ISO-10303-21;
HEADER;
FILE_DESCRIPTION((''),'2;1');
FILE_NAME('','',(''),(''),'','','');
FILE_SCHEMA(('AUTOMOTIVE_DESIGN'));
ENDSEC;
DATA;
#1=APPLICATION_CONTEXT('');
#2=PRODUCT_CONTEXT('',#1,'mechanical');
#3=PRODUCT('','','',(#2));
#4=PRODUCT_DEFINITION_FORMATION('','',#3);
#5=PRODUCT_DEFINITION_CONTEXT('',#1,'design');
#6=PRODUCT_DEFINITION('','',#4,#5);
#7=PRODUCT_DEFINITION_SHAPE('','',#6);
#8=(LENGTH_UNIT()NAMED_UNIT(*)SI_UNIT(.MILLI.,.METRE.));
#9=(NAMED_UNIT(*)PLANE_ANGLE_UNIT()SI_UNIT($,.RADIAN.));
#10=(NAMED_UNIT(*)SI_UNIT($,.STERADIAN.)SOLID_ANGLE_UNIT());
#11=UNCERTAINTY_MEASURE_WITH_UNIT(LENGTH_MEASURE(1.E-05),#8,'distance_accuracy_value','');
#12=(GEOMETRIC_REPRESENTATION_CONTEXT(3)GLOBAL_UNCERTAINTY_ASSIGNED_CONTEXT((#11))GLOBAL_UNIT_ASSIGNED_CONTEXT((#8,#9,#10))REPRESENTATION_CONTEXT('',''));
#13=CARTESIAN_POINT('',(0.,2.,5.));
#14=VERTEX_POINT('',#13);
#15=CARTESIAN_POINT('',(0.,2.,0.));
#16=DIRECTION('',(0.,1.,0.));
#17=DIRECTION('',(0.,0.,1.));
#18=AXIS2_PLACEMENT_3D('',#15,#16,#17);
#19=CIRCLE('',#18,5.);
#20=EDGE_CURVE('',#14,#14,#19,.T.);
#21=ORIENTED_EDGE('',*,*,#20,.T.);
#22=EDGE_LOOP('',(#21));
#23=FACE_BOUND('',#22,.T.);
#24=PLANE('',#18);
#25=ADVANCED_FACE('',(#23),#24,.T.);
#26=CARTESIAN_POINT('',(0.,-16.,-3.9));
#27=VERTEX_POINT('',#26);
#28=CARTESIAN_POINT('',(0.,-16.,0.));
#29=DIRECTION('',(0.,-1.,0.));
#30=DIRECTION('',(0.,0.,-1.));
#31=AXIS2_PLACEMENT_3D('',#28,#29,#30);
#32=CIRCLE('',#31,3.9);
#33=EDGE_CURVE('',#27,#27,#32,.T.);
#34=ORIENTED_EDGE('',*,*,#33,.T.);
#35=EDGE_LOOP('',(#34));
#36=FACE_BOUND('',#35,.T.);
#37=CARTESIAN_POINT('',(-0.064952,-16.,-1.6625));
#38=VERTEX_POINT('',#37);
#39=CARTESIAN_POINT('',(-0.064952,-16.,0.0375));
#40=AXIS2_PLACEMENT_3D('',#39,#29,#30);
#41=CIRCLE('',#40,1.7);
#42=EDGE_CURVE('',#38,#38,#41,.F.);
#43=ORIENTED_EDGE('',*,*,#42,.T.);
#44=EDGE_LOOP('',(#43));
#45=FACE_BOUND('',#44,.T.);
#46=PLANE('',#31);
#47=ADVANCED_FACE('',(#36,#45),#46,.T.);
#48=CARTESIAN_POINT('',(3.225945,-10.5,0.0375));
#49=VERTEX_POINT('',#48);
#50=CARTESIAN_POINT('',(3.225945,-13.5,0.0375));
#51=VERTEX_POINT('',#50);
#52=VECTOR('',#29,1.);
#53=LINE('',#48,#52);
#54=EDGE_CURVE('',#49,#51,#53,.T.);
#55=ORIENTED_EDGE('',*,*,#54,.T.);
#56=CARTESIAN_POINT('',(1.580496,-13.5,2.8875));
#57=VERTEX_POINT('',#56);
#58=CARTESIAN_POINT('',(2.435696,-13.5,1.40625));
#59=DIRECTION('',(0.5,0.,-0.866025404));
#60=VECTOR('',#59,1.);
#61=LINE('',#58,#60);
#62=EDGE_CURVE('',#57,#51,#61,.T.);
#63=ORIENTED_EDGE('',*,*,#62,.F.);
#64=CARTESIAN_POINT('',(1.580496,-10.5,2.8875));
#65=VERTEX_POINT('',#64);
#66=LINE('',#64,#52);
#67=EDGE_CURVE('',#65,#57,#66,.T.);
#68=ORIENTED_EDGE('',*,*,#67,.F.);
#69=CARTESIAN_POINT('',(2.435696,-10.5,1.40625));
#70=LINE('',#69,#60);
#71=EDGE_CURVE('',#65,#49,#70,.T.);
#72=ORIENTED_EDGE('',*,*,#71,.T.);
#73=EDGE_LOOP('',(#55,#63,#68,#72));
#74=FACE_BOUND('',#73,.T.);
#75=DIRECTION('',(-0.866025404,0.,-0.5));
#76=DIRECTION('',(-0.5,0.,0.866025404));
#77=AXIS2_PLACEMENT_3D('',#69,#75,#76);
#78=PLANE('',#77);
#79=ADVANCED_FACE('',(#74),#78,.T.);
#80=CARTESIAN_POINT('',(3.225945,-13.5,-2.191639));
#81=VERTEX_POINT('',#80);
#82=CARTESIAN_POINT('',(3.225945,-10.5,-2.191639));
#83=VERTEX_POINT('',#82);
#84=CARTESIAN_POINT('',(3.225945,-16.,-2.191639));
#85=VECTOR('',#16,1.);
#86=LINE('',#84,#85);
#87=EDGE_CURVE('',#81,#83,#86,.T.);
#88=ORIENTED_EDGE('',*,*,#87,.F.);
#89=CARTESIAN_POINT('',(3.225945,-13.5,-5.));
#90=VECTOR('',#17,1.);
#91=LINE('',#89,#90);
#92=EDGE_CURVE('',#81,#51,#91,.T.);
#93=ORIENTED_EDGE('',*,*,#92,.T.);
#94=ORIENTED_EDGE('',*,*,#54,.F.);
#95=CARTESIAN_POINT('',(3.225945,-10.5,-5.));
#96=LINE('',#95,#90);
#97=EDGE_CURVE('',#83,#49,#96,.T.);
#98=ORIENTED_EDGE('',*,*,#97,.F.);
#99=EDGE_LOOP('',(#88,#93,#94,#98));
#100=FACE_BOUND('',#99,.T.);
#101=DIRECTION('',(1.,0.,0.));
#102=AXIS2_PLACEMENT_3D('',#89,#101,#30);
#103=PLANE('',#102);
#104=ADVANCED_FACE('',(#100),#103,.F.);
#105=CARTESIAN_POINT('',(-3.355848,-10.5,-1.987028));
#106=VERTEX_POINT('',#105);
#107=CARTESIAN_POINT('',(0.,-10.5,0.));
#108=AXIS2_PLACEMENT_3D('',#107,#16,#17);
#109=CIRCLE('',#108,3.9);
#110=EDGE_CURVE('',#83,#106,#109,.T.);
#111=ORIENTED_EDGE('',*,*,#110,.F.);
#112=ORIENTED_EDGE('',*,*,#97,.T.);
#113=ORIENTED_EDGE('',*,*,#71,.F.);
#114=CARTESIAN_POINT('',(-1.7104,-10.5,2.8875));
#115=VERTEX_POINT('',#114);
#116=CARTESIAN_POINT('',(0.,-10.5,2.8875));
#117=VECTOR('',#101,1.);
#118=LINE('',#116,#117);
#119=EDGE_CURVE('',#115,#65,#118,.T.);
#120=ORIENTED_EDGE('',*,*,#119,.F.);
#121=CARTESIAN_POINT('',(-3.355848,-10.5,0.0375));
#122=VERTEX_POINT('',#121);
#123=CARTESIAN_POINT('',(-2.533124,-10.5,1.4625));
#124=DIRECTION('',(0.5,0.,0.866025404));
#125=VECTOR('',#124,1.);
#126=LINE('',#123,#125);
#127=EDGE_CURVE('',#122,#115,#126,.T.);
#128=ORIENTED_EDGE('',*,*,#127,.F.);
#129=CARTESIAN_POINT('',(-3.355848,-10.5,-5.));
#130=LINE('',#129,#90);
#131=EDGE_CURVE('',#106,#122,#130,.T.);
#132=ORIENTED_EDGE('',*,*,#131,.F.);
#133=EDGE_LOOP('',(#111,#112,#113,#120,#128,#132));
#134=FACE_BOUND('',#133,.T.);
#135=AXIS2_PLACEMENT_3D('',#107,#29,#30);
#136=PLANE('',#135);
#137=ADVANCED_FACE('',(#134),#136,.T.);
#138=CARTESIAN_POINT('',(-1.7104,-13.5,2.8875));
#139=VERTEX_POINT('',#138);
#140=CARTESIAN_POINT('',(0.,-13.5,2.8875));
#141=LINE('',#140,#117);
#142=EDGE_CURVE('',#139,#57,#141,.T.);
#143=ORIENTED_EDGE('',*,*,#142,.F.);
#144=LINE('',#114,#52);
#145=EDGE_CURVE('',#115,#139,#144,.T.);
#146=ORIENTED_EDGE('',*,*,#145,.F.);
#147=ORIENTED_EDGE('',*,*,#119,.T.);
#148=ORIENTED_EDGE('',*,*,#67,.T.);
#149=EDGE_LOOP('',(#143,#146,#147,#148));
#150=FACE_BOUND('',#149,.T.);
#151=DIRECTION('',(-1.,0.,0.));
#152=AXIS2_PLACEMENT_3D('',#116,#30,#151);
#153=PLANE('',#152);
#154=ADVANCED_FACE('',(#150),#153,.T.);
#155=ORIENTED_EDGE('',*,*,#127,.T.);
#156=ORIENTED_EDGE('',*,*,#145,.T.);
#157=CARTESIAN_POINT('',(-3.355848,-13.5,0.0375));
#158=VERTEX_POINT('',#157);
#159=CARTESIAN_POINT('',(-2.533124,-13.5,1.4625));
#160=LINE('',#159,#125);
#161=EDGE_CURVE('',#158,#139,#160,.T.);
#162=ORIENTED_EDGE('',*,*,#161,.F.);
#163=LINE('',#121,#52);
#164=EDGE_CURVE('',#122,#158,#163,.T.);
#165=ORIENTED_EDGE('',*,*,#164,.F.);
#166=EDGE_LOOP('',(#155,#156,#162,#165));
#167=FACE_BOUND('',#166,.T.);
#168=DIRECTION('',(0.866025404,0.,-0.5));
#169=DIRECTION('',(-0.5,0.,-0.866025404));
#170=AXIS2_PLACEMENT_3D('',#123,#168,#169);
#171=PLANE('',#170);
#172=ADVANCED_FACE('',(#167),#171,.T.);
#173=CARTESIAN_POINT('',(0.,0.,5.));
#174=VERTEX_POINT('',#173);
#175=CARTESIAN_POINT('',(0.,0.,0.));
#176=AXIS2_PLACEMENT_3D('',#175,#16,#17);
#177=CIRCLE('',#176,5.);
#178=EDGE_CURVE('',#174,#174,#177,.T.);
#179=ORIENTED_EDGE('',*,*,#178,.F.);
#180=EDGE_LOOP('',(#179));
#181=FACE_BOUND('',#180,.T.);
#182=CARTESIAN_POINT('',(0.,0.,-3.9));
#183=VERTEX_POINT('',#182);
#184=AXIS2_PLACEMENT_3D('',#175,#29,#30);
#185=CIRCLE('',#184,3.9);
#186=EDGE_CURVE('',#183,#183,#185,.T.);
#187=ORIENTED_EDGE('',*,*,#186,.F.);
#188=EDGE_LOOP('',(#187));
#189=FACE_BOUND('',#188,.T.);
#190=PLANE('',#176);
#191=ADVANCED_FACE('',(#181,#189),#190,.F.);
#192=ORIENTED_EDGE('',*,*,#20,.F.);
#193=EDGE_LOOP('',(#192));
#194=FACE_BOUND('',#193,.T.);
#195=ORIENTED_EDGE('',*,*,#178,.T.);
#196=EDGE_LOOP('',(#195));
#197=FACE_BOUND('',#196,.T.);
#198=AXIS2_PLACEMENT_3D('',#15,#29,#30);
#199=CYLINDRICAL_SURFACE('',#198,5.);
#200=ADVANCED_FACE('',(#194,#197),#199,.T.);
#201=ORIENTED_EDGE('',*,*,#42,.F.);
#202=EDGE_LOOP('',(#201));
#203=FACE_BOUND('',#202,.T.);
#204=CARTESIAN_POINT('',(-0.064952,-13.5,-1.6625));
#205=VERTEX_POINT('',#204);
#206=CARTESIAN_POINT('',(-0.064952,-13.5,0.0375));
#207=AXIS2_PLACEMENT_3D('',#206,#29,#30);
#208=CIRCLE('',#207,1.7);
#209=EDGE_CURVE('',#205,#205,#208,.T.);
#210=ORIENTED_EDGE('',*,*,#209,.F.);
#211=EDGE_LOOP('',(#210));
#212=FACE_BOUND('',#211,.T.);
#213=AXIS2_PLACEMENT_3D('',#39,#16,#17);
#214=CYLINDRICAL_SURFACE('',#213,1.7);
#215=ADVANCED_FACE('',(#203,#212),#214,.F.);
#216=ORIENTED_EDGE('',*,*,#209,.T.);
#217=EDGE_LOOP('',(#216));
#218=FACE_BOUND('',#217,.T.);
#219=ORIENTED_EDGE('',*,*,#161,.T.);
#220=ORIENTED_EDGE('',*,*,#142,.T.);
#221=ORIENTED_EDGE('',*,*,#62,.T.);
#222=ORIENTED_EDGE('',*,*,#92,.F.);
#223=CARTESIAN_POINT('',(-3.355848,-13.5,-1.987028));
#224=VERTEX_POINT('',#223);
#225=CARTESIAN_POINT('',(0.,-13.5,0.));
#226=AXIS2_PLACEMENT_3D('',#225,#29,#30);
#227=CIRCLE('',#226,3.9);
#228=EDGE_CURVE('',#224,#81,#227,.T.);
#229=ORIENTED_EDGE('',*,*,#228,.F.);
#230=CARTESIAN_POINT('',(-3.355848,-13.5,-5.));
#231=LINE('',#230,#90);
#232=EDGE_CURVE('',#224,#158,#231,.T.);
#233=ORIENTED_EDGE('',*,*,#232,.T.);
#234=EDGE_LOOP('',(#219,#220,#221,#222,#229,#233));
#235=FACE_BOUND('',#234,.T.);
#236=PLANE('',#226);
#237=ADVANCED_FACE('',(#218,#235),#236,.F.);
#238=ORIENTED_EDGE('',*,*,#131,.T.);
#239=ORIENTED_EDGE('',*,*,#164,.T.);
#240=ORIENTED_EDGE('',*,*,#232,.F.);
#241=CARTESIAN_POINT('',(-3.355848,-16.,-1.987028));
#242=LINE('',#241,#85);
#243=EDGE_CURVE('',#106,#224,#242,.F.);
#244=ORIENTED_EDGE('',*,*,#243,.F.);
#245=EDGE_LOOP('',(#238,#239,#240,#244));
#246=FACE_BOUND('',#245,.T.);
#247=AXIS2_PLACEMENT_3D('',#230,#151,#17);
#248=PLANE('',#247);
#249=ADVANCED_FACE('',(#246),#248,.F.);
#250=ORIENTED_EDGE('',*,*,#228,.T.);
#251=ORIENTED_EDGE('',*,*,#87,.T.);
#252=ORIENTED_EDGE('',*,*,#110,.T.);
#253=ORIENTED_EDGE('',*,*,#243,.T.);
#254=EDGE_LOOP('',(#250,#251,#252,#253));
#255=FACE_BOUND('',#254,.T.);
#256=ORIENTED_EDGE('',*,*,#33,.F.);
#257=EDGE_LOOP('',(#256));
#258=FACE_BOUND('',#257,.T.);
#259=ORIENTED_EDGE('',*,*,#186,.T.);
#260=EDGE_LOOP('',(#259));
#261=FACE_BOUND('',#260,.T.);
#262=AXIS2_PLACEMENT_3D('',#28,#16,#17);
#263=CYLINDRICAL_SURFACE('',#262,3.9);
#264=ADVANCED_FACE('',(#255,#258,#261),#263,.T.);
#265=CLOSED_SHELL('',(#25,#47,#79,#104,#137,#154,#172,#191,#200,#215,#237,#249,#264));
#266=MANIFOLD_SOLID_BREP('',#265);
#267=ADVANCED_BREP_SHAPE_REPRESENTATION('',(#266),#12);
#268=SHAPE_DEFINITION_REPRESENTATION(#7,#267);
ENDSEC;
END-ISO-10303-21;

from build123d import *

# Parameters (mm, degrees)
SKETCH1_R               = 5
BOSS_EXTRUDE1_DEPTH     = 2
SKETCH4_R               = 3.9
BOSS_EXTRUDE2_DEPTH     = 16
CUT_EXTRUDE4_DEPTH      = 3
SKETCH3_5_R             = 1.7
CUT_EXTRUDE5_DEPTH      = 3
CUT_EXTRUDE5_DEPTH_BACK = 3.5
SKETCH5_W               = 6.581793069
SKETCH5_H               = 3
CUT_EXTRUDE6_DEPTH      = 6.0375


with BuildPart() as part:
    # Sketch1 → Boss-Extrude1 (new body)
    with BuildSketch(Plane(origin=(0, 0, 0), x_dir=(1, 0, 0), z_dir=(0, 1, 0))):
        Circle(SKETCH1_R)
    extrude(amount=BOSS_EXTRUDE1_DEPTH)

    # Sketch4 → Boss-Extrude2 (add)
    with BuildSketch(Plane(origin=(0, 0, 0), x_dir=(-1, 0, 0), z_dir=(0, -1, 0))):
        Circle(SKETCH4_R)
    extrude(amount=BOSS_EXTRUDE2_DEPTH)

    # Sketch3 → Cut-Extrude4 (cut)
    with BuildSketch(Plane(origin=(0, -13.5, 0), x_dir=(1, 0, 0), z_dir=(0, 1, 0))):
        Polygon((3.225944629, -0.0375), (1.580496362, 2.8125), (-1.710400172, 2.8125), (-3.35584844, -0.0375), (-1.710400172, -2.8875), (1.580496362, -2.8875), align=None)
    extrude(amount=CUT_EXTRUDE4_DEPTH, mode=Mode.SUBTRACT)

    # Sketch3<5> → Cut-Extrude5 (cut, two sides)
    with BuildSketch(Plane(origin=(0, -13.5, 0), x_dir=(1, 0, 0), z_dir=(0, 1, 0))) as cut_extrude5_sk:
        with Locations((-0.064951905, -0.0375)):
            Circle(SKETCH3_5_R)
    extrude(amount=CUT_EXTRUDE5_DEPTH, mode=Mode.SUBTRACT)
    extrude(cut_extrude5_sk.sketch, amount=-CUT_EXTRUDE5_DEPTH_BACK, mode=Mode.SUBTRACT)

    # Sketch5 → Cut-Extrude6 (cut, through all)
    with BuildSketch(Plane.XY.offset(0.0375)):
        with Locations((-0.064951906, -12)):
            Rectangle(SKETCH5_W, SKETCH5_H)
    extrude(amount=-CUT_EXTRUDE6_DEPTH, mode=Mode.SUBTRACT)


solid = part.part
